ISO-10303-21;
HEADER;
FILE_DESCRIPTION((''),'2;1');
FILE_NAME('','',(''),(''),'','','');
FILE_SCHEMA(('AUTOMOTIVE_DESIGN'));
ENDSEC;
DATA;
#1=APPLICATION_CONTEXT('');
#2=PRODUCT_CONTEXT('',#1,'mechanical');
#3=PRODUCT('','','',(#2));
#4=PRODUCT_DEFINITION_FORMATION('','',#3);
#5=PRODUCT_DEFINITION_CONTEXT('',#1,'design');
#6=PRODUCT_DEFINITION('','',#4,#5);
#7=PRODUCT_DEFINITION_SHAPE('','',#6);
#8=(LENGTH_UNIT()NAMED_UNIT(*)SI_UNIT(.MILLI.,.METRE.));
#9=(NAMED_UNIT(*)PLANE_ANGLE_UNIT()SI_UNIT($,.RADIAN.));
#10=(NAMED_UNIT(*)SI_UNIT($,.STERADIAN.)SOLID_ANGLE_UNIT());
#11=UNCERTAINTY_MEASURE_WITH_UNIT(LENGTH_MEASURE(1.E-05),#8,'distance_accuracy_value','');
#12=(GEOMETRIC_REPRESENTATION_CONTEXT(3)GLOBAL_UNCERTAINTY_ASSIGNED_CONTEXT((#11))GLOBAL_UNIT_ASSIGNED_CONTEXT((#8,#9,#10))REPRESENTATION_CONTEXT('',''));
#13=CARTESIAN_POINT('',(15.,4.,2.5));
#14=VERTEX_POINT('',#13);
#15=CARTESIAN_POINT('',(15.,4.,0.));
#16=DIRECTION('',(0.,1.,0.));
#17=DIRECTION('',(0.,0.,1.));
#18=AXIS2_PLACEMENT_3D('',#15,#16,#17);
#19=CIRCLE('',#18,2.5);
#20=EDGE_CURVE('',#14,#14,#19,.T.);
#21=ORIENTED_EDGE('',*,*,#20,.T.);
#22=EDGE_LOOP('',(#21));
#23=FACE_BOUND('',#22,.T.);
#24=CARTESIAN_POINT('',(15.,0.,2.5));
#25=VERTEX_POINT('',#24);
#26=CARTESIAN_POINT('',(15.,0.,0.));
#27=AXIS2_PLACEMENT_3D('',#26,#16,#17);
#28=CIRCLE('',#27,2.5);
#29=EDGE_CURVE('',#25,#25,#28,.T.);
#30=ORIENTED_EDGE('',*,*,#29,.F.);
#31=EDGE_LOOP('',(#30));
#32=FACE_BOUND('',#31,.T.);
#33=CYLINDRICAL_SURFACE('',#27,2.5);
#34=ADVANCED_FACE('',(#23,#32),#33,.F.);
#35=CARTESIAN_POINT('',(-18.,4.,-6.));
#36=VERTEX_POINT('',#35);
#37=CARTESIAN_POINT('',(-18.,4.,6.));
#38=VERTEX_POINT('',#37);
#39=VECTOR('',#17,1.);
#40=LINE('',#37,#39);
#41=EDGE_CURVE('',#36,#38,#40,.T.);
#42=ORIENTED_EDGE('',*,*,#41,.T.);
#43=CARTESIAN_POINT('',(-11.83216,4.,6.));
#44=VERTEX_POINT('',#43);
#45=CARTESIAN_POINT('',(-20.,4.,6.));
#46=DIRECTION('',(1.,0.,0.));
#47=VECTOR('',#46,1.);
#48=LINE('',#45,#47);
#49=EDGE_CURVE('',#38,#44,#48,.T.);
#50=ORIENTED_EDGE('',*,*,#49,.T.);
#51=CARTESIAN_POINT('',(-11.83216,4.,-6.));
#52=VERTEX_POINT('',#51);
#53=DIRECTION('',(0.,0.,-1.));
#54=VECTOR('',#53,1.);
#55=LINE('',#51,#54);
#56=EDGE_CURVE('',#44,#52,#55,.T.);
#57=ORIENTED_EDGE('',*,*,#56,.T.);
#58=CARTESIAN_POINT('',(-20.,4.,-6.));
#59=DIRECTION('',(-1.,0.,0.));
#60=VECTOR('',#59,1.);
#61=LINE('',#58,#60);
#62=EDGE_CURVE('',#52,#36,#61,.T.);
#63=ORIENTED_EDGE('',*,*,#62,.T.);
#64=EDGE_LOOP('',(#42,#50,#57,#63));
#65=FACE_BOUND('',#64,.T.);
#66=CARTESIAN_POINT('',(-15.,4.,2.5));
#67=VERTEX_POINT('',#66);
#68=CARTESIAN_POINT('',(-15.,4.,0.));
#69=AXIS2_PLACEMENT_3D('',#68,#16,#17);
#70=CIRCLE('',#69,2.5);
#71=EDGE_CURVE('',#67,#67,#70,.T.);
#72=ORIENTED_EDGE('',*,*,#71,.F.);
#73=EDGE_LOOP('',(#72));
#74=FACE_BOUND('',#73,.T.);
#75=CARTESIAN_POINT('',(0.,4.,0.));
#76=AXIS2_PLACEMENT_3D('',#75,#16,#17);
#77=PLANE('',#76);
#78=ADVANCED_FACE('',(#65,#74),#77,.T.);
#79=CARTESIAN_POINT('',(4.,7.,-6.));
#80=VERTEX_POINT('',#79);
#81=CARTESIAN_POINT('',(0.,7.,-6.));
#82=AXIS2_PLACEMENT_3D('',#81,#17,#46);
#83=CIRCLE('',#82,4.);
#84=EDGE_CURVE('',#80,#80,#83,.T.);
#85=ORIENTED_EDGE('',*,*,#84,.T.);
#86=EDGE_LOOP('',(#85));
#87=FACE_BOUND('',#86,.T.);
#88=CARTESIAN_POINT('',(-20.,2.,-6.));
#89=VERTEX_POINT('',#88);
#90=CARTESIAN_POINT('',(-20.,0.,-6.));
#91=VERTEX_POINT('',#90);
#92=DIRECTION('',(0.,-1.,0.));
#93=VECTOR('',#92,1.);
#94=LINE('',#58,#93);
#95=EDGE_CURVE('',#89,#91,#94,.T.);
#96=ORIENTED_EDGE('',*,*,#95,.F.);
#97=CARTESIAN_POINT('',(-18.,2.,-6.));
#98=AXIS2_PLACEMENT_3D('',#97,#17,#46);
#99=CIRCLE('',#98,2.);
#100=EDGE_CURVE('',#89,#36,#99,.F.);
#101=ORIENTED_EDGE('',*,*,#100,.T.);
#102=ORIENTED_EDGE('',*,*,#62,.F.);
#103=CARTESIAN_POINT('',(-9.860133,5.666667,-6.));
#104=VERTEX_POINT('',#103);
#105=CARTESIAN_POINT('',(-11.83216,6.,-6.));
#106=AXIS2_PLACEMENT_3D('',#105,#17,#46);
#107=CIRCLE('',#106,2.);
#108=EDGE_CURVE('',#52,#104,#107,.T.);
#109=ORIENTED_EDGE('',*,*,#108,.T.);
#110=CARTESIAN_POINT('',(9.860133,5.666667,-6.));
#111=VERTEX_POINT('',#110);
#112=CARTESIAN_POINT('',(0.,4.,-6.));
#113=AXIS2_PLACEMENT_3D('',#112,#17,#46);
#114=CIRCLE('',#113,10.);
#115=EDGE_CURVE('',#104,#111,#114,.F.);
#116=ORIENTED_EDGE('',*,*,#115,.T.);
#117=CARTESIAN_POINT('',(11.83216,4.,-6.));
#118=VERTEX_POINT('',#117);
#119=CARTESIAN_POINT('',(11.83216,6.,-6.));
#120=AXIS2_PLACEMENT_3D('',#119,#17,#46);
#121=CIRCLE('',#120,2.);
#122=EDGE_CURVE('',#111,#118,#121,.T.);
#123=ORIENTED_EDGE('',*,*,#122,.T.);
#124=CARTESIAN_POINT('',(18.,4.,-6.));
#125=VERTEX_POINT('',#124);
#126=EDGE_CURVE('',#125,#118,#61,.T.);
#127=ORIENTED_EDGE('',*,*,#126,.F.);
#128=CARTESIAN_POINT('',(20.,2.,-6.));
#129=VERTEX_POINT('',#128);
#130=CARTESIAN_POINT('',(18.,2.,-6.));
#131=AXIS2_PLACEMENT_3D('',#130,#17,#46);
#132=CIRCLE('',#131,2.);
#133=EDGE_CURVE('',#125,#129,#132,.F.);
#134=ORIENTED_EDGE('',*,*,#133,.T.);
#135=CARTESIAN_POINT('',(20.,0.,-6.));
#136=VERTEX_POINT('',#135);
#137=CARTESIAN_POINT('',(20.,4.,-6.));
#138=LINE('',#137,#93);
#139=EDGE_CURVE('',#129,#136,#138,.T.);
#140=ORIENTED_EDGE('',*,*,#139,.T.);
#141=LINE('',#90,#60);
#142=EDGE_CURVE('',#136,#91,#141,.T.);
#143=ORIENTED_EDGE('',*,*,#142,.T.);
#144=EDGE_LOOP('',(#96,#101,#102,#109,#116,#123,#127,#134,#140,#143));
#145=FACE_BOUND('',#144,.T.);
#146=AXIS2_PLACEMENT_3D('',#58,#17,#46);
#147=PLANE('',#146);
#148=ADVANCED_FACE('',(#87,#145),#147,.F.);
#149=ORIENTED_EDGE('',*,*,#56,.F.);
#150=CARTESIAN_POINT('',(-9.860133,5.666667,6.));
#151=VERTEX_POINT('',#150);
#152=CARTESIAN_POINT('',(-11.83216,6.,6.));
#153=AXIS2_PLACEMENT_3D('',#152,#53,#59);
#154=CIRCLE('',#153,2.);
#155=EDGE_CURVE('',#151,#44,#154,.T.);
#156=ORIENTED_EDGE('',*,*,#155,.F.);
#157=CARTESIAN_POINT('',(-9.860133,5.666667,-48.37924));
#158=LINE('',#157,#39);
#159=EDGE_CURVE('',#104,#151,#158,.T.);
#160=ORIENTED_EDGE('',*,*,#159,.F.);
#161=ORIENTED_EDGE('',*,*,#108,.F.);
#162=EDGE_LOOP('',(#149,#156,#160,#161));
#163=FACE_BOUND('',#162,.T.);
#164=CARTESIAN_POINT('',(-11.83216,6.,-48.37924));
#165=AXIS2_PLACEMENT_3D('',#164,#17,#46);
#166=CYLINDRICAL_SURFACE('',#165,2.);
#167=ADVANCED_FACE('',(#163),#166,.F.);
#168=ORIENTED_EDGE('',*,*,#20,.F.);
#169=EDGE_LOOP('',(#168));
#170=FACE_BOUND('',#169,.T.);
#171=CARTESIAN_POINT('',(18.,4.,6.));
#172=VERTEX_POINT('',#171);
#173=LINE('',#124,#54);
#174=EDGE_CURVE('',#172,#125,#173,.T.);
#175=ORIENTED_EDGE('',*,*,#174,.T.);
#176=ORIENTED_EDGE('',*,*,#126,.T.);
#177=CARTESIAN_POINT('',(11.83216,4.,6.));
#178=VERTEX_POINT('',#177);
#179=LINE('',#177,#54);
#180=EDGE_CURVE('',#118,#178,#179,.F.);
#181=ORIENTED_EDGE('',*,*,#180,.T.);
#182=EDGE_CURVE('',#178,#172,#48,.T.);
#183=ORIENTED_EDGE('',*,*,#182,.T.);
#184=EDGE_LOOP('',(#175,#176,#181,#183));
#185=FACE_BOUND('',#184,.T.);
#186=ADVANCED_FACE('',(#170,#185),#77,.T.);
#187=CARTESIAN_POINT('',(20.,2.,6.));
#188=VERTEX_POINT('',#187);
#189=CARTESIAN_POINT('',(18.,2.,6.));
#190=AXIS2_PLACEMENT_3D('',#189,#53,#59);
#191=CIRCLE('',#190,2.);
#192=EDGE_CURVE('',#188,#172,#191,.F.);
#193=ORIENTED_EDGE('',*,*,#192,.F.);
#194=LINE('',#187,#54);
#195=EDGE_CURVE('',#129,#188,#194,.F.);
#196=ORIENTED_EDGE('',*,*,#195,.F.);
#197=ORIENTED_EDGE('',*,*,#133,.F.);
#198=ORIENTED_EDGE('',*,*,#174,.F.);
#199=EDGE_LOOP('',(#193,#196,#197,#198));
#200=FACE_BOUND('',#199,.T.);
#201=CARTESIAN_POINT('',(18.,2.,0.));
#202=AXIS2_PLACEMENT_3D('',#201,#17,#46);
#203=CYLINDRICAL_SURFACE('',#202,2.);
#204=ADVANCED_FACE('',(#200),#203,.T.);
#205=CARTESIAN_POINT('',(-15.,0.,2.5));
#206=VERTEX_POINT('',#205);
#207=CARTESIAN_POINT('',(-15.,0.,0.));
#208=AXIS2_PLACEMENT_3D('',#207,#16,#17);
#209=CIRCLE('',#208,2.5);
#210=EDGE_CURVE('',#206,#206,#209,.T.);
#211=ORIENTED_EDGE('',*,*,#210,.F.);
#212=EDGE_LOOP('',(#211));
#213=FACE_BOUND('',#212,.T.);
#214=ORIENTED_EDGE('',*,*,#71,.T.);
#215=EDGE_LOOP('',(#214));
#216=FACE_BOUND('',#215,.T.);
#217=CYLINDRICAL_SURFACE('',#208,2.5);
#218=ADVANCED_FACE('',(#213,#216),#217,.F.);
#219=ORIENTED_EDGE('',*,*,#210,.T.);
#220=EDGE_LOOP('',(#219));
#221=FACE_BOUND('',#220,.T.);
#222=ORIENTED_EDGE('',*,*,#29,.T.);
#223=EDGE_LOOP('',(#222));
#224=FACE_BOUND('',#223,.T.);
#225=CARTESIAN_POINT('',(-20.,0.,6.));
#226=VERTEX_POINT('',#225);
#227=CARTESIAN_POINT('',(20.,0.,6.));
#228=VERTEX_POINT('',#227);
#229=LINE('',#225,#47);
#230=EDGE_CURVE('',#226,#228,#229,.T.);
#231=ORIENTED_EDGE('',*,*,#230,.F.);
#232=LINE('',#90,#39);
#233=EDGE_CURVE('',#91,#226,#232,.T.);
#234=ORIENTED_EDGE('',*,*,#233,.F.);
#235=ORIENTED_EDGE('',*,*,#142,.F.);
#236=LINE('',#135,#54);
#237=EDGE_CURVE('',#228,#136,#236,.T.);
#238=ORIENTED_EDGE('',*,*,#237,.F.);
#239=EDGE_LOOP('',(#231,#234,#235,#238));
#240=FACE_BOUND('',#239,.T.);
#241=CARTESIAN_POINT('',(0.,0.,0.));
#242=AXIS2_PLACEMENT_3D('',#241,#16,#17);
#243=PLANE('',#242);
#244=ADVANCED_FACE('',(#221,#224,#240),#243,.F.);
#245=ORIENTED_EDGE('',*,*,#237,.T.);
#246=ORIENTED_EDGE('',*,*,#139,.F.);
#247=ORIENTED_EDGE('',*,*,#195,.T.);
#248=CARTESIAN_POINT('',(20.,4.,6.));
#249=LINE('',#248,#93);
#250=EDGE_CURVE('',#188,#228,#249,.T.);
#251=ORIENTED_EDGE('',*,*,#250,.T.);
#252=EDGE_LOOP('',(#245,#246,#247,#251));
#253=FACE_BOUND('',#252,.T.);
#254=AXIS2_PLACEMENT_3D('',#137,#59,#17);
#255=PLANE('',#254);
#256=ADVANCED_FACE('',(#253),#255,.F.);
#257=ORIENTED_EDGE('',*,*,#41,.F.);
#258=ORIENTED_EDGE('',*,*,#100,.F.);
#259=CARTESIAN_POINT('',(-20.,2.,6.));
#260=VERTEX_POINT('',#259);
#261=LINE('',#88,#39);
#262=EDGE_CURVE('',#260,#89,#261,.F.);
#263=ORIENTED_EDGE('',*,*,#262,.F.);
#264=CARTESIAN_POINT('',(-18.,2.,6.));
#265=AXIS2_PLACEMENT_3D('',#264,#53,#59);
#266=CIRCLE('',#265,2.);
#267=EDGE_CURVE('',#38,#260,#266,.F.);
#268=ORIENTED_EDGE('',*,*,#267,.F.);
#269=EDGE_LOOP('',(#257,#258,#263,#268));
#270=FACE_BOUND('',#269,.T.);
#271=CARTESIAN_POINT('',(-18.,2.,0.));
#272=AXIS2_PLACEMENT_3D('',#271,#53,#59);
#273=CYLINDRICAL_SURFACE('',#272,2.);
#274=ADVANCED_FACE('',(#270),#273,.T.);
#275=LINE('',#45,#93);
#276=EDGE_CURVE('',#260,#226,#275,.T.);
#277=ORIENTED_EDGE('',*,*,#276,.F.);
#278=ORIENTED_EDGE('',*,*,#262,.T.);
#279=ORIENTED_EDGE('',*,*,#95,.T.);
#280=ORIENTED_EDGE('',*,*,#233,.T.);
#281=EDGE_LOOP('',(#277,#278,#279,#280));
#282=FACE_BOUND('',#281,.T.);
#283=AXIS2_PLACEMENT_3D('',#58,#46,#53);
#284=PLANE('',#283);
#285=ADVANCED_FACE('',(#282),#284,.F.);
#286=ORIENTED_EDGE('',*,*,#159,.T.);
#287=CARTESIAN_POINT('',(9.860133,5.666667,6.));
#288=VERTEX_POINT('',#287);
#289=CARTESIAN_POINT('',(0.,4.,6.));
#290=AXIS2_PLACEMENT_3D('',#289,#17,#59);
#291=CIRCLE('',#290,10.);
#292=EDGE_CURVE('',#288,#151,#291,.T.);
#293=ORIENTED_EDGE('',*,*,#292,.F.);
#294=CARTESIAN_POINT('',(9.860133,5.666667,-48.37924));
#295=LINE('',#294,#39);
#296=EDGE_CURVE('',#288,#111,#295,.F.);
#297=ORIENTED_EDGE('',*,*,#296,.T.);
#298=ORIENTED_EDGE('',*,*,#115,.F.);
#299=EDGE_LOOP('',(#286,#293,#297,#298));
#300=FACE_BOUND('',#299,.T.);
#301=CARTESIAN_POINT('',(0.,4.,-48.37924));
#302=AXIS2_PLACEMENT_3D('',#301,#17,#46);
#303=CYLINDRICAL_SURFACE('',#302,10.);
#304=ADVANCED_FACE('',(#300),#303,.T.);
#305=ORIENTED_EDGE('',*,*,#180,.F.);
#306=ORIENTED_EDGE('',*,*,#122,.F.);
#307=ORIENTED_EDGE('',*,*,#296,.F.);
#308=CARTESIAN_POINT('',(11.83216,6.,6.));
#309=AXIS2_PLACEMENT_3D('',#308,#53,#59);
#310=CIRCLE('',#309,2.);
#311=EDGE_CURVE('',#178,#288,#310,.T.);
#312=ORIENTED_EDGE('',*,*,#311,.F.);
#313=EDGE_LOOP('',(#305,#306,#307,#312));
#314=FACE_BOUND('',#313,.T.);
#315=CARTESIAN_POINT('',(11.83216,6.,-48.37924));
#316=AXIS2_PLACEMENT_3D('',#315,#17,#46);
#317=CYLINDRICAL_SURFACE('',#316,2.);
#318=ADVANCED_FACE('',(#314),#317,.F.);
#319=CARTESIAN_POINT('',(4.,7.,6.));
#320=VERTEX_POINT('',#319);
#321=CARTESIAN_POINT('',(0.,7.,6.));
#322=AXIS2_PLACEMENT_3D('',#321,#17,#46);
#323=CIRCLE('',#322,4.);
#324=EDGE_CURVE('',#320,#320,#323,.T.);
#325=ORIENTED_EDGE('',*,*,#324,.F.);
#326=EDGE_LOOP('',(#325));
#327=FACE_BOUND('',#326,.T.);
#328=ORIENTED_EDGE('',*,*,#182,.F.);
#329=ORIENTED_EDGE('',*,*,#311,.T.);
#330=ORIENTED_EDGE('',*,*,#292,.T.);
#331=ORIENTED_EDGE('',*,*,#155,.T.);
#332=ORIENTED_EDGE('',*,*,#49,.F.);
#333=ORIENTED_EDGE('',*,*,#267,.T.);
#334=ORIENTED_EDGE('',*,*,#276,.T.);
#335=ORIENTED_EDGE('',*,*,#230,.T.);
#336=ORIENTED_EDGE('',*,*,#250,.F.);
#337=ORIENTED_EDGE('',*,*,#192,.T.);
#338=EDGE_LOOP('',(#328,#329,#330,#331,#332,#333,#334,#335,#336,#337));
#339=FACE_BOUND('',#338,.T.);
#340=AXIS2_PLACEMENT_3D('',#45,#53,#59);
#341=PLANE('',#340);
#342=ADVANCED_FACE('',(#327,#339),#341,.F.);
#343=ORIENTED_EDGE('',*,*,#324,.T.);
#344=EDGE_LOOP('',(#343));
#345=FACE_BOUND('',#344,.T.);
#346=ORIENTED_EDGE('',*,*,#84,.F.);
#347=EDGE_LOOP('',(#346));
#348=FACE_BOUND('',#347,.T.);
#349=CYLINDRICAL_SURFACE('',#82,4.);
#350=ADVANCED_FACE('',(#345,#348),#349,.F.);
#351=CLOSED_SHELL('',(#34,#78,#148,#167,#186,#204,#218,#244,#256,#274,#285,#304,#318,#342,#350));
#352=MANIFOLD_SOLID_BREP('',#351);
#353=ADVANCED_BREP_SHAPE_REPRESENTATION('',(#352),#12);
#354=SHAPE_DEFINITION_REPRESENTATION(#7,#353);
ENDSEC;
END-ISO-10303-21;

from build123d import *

# Parameters (mm, degrees)
SKETCH1_W           = 40
SKETCH1_H           = 12
BOSS_EXTRUDE1_DEPTH = 4
BOSS_EXTRUDE2_DEPTH = 12
SKETCH3_R           = 4
CUT_EXTRUDE1_DEPTH  = 13
SKETCH4_R           = 2.5
CUT_EXTRUDE2_DEPTH  = 5
FILLET1_R           = 2


with BuildPart() as part:
    # Sketch1 → Boss-Extrude1 (new body)
    with BuildSketch(Plane(origin=(0, 0, 0), x_dir=(1, 0, 0), z_dir=(0, 1, 0))):
        Rectangle(SKETCH1_W, SKETCH1_H)
    extrude(amount=BOSS_EXTRUDE1_DEPTH)

    # Sketch2 → Boss-Extrude2 (add)
    with BuildSketch(Plane.XY.offset(6)):
        with BuildLine():
            Line((20, 4), (10, 4))
            ThreePointArc((10, 4), (0, 14), (-10, 4))
            Line((-10, 4), (-20, 4))
            Line((-20, 4), (-20, 0))
            Line((-20, 0), (20, 0))
            Line((20, 0), (20, 4))
        make_face()
    extrude(amount=-BOSS_EXTRUDE2_DEPTH)

    # Sketch3 → Cut-Extrude1 (cut, through all)
    with BuildSketch(Plane.XY.offset(6)):
        with Locations((0, 7)):
            Circle(SKETCH3_R)
    extrude(amount=-CUT_EXTRUDE1_DEPTH, mode=Mode.SUBTRACT)

    # Sketch4 → Cut-Extrude2 (cut, through all)
    with BuildSketch(Plane(origin=(0, 4, 0), x_dir=(1, 0, 0), z_dir=(0, 1, 0))):
        with Locations((-15, 0)):
            Circle(SKETCH4_R)
        with Locations((15, 0)):
            Circle(SKETCH4_R)
    extrude(amount=-CUT_EXTRUDE2_DEPTH, mode=Mode.SUBTRACT)

    # Fillet1
    fillet1_edges = [part.edges().sort_by_distance(p)[0] for p in [
        (-20, 4, 0),
        (-10, 4, 0),
        (10, 4, 0),
        (20, 4, 0),
    ]]
    fillet(fillet1_edges, radius=FILLET1_R)


solid = part.part
